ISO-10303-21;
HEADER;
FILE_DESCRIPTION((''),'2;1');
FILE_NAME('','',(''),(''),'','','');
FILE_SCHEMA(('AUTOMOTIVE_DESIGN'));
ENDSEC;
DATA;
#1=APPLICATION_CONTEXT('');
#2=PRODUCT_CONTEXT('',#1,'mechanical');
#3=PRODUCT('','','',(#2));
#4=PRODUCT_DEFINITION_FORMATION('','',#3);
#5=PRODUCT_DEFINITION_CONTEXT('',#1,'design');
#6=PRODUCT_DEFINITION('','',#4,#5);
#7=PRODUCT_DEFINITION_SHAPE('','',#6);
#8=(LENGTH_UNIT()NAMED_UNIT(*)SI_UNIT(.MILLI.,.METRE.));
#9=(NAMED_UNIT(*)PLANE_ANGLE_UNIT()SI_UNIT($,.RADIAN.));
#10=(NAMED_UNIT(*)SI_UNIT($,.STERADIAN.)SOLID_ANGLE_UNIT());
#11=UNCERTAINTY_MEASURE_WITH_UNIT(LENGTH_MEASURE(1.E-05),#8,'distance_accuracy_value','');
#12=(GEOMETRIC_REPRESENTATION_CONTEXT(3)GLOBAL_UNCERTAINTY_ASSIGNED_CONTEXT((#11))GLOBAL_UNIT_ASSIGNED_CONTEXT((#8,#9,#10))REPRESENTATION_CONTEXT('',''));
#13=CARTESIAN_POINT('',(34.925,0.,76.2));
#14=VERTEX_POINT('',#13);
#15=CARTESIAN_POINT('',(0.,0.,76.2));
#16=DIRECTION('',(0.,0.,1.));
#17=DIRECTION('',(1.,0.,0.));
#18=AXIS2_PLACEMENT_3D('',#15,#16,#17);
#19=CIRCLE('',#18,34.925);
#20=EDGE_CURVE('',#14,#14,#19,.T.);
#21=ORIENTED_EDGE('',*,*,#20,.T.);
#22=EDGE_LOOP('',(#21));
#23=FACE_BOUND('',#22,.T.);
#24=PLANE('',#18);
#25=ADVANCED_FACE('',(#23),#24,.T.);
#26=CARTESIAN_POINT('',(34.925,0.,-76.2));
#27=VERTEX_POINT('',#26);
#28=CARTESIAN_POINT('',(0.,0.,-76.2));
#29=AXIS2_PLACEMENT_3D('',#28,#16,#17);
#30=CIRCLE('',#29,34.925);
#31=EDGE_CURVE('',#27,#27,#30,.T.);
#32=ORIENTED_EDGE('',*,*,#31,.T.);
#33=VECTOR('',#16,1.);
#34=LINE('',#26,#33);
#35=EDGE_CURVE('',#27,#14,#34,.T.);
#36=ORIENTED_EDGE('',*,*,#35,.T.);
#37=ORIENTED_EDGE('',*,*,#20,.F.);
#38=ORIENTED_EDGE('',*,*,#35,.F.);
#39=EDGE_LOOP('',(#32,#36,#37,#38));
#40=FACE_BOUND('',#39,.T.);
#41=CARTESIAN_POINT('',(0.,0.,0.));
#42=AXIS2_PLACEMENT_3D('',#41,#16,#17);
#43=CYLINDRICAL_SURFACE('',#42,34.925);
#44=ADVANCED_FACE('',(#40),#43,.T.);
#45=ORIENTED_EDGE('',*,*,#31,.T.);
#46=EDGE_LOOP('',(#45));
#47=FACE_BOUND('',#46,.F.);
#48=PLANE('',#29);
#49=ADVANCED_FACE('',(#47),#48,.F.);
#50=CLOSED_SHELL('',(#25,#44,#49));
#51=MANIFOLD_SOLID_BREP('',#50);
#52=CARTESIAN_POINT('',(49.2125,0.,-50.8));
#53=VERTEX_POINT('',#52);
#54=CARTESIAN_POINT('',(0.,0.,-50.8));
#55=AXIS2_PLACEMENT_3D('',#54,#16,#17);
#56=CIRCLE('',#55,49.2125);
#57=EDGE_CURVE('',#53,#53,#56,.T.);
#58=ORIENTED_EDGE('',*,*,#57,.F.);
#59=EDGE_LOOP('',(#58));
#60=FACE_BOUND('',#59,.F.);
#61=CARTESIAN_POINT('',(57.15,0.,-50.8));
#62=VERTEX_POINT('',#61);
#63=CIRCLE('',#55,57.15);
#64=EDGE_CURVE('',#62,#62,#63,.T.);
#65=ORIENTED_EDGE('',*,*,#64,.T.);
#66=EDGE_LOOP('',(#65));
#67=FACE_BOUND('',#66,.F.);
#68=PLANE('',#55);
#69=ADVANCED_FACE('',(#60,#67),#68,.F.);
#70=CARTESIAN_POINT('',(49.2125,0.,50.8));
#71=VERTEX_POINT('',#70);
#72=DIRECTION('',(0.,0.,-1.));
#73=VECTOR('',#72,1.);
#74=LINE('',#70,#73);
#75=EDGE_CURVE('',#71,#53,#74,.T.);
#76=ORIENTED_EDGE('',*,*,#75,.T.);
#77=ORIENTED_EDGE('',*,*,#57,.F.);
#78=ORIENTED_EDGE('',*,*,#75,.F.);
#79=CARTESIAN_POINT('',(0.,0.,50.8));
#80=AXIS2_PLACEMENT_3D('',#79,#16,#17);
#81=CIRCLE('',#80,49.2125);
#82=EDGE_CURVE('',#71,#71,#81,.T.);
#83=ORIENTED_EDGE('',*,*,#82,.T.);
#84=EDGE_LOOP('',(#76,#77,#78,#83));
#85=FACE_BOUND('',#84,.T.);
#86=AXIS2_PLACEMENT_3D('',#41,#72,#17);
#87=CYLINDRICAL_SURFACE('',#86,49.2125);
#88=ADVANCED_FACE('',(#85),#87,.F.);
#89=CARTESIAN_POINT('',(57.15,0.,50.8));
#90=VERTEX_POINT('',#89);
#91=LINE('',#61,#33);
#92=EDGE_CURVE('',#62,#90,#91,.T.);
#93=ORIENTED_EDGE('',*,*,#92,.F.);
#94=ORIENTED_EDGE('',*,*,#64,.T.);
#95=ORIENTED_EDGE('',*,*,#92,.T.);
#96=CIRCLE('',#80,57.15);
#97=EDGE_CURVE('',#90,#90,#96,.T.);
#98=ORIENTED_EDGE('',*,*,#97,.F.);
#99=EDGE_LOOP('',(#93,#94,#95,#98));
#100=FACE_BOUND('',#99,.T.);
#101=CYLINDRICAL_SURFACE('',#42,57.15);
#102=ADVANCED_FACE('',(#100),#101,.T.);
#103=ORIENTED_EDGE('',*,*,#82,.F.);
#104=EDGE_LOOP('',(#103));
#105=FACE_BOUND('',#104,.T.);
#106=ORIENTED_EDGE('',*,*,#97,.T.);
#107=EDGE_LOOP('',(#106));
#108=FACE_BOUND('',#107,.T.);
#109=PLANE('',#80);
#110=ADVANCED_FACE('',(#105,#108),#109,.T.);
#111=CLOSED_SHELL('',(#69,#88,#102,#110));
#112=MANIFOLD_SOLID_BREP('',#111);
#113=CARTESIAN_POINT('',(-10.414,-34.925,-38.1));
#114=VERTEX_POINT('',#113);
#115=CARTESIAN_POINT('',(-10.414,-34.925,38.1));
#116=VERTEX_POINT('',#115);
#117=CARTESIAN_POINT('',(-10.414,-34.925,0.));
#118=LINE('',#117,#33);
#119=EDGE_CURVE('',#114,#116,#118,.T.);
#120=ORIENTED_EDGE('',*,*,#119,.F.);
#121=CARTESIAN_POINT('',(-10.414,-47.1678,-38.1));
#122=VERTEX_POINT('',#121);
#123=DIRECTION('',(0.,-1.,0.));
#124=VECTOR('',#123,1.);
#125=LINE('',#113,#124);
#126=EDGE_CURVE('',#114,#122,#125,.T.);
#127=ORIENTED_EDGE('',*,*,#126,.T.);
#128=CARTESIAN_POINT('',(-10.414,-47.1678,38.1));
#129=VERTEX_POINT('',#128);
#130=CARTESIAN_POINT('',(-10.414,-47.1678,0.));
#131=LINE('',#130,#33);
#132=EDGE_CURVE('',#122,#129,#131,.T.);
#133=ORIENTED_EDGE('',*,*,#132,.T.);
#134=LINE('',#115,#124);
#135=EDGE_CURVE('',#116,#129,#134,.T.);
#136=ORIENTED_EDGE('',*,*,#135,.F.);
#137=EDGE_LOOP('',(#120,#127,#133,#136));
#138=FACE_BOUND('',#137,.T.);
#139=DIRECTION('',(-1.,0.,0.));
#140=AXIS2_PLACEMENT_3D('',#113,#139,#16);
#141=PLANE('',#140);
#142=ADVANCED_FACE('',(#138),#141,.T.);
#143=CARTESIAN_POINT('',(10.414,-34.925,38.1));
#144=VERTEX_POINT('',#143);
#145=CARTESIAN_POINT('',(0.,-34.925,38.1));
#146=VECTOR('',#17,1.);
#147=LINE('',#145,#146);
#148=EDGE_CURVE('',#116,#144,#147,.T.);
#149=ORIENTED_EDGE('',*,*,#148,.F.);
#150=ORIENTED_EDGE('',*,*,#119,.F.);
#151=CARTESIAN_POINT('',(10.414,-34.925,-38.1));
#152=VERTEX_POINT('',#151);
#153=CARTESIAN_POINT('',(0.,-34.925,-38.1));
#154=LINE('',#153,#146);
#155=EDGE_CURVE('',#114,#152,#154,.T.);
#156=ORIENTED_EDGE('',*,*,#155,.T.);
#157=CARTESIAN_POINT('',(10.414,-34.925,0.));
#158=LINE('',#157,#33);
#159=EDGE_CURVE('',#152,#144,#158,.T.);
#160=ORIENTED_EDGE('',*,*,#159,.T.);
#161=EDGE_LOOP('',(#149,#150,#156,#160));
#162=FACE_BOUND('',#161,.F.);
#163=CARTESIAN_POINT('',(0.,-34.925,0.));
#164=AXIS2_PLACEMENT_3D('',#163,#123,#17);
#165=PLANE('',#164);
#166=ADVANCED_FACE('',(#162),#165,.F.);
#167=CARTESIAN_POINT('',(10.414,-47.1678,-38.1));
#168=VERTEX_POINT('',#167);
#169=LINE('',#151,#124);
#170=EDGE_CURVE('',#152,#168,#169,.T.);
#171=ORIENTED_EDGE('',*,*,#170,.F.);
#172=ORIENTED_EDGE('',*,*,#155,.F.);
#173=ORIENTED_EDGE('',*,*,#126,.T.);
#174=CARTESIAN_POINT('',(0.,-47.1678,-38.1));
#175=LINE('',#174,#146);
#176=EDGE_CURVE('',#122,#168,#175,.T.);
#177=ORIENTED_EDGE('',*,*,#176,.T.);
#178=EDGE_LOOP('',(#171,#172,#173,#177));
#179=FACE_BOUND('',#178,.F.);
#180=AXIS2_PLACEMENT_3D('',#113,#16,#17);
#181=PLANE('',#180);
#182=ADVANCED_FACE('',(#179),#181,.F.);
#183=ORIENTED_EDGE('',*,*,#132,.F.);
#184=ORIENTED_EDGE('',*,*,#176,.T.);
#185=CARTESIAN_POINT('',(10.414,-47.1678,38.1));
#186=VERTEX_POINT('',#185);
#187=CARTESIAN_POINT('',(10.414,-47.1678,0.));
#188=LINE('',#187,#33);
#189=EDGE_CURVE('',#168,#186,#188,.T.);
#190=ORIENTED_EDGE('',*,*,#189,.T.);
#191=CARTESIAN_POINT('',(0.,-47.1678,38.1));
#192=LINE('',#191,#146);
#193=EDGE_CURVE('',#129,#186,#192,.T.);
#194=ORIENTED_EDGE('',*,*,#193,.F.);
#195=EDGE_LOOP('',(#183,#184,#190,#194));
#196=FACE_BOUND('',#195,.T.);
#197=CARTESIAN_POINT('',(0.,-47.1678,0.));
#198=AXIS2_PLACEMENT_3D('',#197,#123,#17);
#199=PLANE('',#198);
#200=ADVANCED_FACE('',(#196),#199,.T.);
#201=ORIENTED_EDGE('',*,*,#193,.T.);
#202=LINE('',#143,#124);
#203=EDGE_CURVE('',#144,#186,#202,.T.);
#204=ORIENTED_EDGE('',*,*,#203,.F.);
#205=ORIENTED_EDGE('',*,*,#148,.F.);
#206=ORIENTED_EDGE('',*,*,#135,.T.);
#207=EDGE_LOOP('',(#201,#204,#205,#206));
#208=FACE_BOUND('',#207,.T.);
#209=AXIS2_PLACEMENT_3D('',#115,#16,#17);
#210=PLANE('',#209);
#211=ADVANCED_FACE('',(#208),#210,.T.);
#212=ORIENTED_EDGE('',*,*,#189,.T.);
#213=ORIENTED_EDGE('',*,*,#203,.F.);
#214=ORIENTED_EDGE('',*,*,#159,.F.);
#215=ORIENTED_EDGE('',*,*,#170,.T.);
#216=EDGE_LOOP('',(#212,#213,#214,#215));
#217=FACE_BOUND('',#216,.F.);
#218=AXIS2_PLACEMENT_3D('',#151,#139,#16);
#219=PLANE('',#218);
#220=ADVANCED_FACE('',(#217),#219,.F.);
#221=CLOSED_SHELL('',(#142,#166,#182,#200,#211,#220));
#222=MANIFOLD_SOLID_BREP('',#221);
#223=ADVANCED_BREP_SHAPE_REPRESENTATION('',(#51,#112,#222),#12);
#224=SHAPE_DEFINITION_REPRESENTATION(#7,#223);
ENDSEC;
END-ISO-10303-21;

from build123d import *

# Parameters (mm, degrees)
F0_R     = 34.925
F1_DEPTH = 76.2
F2_R     = 57.15
F2_R_2   = 49.2125
F3_DEPTH = 50.8
F5_W     = 20.828
F5_H     = 76.2
F6_DEPTH = 12.2428


with BuildPart() as f1:
    # F0 (on Top) → F1 (new body, symmetric)
    with BuildSketch(Plane.XY):
        Circle(F0_R)
    extrude(amount=F1_DEPTH, both=True)


with BuildPart() as f3:
    # F2 (on Top) → F3 (new body, symmetric)
    with BuildSketch(Plane.XY):
        Circle(F2_R)
        Circle(F2_R_2, mode=Mode.SUBTRACT)
    extrude(amount=F3_DEPTH, both=True)


with BuildPart() as f6:
    # F5 (on offset) → F6 (new body)
    with BuildSketch(Plane.XZ.offset(34.925)):
        Rectangle(F5_W, F5_H)
    extrude(amount=F6_DEPTH)


solid = Compound([f1.part, f3.part, f6.part])
